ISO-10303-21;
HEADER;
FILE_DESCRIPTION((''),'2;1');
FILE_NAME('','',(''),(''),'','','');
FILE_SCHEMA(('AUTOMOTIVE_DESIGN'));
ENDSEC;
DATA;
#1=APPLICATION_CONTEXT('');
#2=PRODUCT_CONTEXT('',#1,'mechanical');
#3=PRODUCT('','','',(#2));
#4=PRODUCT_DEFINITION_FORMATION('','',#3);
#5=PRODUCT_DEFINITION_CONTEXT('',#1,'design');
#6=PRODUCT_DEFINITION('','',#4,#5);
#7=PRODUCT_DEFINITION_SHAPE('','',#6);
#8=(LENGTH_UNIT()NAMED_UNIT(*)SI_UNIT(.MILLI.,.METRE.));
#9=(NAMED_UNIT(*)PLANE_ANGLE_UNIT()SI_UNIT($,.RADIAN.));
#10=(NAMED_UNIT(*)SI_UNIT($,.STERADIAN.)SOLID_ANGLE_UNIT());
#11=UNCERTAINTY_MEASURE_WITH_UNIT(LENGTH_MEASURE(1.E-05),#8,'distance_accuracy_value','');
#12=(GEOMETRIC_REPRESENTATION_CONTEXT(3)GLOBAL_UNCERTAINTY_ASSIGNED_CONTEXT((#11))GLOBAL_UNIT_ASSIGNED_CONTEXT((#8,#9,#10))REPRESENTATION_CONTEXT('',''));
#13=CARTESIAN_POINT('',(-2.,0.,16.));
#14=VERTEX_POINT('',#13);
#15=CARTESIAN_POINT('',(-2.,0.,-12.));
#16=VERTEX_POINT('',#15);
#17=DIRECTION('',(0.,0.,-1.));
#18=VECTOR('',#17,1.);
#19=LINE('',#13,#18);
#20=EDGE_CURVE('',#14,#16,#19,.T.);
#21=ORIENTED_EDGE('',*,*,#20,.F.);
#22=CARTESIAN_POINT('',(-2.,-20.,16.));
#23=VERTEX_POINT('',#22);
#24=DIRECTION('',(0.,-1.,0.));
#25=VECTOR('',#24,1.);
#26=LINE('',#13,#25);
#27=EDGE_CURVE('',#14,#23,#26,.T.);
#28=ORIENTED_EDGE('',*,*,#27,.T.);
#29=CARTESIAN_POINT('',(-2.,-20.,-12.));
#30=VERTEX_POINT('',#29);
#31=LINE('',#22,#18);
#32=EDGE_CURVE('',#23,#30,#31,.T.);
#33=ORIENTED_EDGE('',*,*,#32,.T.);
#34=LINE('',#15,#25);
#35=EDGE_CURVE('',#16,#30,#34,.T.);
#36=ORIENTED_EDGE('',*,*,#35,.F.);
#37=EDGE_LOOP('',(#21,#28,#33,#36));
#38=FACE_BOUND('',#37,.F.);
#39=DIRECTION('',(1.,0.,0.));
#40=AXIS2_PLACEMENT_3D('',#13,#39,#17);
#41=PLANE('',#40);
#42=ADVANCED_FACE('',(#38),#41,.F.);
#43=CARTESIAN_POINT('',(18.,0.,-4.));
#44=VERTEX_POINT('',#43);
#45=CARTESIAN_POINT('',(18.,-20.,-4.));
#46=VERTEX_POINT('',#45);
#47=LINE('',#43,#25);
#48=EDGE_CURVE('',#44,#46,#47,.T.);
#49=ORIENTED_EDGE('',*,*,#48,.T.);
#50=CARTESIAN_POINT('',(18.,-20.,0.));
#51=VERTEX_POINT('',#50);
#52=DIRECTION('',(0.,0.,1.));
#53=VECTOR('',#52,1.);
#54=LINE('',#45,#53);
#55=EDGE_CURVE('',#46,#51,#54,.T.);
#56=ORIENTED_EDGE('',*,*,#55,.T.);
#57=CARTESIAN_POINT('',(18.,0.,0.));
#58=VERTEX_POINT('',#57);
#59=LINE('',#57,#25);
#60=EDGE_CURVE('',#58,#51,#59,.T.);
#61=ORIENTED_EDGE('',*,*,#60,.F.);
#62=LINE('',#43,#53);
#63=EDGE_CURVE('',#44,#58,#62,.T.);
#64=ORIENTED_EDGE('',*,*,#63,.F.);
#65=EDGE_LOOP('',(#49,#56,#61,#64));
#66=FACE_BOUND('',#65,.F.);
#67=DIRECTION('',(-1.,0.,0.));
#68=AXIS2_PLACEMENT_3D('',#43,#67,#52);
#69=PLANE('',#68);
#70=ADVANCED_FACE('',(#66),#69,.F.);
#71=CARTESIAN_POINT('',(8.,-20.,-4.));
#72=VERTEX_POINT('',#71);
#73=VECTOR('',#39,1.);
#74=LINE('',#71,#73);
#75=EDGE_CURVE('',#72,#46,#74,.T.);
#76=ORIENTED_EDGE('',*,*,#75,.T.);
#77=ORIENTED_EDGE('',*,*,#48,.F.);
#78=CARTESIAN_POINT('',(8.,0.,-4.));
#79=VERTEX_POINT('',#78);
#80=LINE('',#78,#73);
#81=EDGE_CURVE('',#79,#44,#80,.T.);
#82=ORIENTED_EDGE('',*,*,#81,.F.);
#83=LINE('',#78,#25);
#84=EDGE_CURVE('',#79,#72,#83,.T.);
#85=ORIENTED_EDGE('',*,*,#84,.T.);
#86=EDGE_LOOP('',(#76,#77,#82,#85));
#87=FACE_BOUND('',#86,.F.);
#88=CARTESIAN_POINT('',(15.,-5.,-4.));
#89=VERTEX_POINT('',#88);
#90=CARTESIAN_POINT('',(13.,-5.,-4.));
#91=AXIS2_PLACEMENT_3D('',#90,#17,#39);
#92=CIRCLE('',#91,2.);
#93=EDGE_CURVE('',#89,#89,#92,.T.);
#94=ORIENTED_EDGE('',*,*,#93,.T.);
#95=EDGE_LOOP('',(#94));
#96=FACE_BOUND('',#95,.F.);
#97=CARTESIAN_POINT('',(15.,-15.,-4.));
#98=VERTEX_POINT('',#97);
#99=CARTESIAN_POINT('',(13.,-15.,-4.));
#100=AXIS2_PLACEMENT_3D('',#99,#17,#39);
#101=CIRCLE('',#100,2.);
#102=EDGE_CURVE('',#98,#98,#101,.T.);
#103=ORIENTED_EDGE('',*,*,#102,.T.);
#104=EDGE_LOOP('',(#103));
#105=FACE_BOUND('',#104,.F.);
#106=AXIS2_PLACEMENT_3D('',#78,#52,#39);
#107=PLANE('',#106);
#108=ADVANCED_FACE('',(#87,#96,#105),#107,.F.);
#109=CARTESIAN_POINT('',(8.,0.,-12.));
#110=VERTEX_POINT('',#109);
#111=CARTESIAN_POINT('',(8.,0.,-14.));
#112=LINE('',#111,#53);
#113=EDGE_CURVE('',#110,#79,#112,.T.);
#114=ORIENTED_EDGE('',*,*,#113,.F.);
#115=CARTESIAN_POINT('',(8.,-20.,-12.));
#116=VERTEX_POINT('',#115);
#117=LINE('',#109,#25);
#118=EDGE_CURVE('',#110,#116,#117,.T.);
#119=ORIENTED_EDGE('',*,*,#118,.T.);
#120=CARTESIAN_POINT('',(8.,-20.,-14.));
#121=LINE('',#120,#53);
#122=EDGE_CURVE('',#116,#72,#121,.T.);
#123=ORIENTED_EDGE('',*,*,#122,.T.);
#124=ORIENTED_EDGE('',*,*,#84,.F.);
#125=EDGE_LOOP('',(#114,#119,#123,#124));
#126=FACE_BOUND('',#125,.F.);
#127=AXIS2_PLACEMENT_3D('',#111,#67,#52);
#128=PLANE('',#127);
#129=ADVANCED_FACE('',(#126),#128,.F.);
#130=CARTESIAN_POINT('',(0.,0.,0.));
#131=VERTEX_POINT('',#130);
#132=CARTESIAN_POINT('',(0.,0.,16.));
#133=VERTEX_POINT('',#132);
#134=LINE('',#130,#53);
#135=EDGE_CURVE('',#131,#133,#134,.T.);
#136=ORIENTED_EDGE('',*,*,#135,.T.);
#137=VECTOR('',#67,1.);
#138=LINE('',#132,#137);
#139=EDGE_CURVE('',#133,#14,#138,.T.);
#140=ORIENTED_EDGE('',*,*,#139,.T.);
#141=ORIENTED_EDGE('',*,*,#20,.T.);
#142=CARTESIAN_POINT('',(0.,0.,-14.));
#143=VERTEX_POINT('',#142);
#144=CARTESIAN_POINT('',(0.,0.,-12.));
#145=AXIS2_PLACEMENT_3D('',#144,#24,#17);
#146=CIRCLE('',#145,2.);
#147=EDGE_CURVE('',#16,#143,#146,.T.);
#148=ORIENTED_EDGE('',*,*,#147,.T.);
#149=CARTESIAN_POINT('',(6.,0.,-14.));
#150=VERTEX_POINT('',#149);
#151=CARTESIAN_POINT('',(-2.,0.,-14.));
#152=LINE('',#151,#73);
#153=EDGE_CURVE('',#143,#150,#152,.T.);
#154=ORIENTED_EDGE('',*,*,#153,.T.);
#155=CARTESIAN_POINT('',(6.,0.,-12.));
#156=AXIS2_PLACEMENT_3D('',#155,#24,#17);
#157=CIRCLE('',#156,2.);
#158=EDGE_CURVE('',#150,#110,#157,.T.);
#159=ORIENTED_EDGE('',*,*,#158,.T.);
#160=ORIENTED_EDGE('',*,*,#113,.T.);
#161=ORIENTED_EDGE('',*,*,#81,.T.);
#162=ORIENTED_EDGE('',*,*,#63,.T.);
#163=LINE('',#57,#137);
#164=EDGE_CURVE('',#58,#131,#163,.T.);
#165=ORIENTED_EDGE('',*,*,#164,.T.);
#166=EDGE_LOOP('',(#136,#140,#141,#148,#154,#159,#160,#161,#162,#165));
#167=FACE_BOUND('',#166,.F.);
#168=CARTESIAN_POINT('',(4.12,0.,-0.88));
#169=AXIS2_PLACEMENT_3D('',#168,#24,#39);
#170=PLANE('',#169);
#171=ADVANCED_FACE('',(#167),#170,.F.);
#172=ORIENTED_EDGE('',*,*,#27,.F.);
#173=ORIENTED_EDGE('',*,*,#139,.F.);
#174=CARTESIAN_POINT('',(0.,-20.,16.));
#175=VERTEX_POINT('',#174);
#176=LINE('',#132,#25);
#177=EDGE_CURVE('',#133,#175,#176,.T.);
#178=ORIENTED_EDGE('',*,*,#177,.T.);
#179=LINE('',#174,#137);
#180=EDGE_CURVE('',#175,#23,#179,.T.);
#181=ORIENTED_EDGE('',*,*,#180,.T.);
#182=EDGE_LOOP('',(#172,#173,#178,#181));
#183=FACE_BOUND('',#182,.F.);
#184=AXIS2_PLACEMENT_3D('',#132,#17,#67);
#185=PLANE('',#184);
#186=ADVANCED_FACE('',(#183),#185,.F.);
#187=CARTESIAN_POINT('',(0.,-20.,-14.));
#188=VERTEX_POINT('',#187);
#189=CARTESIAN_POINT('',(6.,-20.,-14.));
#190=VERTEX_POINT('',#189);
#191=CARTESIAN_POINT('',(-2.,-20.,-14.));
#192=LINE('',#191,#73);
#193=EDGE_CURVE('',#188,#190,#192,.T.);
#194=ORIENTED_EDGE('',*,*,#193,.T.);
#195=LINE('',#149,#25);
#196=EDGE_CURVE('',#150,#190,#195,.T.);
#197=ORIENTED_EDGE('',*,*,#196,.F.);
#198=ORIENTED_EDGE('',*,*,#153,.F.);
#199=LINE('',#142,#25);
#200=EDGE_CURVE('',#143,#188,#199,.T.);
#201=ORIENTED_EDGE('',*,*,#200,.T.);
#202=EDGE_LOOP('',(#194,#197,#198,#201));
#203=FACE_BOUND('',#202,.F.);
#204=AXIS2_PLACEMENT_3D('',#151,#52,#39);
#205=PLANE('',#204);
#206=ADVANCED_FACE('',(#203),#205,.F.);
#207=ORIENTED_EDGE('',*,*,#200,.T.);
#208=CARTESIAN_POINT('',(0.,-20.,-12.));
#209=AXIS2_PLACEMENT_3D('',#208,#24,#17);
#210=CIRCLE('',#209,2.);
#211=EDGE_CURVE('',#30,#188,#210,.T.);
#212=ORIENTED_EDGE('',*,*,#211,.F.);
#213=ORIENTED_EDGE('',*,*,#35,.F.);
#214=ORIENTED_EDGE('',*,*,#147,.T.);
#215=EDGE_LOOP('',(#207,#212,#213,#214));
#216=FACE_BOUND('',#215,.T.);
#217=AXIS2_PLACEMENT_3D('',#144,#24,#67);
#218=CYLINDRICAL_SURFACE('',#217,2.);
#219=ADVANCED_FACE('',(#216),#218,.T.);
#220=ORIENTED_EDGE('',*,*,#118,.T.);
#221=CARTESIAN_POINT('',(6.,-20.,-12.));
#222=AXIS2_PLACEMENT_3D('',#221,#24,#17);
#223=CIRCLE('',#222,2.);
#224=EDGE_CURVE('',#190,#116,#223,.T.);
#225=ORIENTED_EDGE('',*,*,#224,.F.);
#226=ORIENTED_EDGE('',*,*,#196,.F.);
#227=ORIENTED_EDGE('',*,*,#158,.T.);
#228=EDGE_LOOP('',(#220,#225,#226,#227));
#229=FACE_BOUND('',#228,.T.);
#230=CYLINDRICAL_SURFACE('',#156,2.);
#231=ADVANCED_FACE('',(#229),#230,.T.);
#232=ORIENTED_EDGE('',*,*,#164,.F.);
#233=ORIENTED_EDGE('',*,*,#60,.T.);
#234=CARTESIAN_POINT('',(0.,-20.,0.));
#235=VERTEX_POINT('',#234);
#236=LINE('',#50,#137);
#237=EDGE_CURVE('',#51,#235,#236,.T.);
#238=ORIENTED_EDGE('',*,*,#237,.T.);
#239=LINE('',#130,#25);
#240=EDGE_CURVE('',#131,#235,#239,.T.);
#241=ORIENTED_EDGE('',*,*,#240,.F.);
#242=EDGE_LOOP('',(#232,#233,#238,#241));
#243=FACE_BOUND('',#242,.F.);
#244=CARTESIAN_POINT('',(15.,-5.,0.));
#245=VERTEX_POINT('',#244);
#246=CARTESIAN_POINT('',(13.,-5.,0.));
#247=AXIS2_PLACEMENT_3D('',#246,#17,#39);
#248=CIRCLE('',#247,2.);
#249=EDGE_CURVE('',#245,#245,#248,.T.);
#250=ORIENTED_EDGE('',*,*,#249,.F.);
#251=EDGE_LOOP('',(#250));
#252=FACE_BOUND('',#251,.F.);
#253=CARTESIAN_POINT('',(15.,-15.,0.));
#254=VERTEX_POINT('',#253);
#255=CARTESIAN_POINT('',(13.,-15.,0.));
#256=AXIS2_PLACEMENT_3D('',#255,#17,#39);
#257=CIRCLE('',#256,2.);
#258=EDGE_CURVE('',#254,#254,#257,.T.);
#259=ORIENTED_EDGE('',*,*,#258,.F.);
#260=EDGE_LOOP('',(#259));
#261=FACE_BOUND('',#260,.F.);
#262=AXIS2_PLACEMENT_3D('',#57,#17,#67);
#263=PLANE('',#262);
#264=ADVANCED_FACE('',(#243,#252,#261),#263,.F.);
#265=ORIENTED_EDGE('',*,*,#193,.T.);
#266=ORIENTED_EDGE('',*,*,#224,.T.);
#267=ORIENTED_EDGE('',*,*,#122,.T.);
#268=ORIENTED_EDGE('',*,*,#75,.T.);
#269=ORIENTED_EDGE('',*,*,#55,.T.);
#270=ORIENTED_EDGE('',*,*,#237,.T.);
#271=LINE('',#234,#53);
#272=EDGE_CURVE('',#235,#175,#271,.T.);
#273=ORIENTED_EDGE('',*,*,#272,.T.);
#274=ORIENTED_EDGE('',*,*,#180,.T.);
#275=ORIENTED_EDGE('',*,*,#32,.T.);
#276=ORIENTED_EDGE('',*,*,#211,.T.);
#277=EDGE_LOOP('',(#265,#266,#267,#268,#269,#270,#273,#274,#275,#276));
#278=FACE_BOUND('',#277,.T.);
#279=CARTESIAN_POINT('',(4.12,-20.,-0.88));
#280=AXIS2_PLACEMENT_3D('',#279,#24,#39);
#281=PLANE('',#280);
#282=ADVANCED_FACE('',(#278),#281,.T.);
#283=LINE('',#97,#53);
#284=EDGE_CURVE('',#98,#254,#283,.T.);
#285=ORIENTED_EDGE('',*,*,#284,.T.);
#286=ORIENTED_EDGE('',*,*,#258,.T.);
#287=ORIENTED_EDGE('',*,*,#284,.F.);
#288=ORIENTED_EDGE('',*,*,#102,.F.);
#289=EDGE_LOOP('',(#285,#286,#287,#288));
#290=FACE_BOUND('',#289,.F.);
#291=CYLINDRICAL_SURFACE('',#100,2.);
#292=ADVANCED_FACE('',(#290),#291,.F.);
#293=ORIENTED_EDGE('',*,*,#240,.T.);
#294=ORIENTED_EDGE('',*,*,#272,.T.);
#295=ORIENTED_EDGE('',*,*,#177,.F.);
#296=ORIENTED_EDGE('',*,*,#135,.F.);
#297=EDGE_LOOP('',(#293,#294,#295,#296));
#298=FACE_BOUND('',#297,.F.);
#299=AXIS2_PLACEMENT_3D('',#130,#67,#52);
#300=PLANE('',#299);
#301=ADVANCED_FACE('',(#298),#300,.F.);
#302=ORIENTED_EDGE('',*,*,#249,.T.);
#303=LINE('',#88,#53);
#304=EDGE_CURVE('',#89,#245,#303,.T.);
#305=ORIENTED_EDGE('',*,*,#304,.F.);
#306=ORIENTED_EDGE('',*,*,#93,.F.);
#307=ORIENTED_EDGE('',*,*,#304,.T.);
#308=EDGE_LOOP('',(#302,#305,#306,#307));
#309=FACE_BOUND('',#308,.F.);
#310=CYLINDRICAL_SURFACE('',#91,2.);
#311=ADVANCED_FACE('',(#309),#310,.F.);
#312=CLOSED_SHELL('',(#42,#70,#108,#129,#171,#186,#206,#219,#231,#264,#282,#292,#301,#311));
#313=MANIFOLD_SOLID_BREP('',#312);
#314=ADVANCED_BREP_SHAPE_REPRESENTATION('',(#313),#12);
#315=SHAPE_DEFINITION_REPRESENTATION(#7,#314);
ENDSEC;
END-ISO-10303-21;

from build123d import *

# Parameters (mm, degrees)
F1_DEPTH = 20
F2_R     = 2
F3_DEPTH = 25
F4_R     = 2
F5_R     = 2


with BuildPart() as f1:
    # F0 (on Front) → F1 (new body)
    with BuildSketch(Plane.XZ):
        Polygon((18, 0), (0, 0), (0, 16), (-2, 16), (-2, -14), (8, -14), (8, -4), (18, -4), align=None)
    extrude(amount=F1_DEPTH)

    # F2 (on face) → F3 (cut)
    with BuildSketch(Plane(origin=(0, 0, -4), x_dir=(1, 0, 0), z_dir=(0, 0, -1))):
        with Locations((13, 15)):
            Circle(F2_R)
        with Locations((13, 5)):
            Circle(F2_R)
    extrude(amount=-F3_DEPTH, mode=Mode.SUBTRACT)

    # F4
    f4_edges = [f1.edges().sort_by_distance(p)[0] for p in [
        (-2, -10, -14),
    ]]
    fillet(f4_edges, radius=F4_R)

    # F5
    f5_edges = [f1.edges().sort_by_distance(p)[0] for p in [
        (8, -10, -14),
    ]]
    fillet(f5_edges, radius=F5_R)


solid = f1.part
